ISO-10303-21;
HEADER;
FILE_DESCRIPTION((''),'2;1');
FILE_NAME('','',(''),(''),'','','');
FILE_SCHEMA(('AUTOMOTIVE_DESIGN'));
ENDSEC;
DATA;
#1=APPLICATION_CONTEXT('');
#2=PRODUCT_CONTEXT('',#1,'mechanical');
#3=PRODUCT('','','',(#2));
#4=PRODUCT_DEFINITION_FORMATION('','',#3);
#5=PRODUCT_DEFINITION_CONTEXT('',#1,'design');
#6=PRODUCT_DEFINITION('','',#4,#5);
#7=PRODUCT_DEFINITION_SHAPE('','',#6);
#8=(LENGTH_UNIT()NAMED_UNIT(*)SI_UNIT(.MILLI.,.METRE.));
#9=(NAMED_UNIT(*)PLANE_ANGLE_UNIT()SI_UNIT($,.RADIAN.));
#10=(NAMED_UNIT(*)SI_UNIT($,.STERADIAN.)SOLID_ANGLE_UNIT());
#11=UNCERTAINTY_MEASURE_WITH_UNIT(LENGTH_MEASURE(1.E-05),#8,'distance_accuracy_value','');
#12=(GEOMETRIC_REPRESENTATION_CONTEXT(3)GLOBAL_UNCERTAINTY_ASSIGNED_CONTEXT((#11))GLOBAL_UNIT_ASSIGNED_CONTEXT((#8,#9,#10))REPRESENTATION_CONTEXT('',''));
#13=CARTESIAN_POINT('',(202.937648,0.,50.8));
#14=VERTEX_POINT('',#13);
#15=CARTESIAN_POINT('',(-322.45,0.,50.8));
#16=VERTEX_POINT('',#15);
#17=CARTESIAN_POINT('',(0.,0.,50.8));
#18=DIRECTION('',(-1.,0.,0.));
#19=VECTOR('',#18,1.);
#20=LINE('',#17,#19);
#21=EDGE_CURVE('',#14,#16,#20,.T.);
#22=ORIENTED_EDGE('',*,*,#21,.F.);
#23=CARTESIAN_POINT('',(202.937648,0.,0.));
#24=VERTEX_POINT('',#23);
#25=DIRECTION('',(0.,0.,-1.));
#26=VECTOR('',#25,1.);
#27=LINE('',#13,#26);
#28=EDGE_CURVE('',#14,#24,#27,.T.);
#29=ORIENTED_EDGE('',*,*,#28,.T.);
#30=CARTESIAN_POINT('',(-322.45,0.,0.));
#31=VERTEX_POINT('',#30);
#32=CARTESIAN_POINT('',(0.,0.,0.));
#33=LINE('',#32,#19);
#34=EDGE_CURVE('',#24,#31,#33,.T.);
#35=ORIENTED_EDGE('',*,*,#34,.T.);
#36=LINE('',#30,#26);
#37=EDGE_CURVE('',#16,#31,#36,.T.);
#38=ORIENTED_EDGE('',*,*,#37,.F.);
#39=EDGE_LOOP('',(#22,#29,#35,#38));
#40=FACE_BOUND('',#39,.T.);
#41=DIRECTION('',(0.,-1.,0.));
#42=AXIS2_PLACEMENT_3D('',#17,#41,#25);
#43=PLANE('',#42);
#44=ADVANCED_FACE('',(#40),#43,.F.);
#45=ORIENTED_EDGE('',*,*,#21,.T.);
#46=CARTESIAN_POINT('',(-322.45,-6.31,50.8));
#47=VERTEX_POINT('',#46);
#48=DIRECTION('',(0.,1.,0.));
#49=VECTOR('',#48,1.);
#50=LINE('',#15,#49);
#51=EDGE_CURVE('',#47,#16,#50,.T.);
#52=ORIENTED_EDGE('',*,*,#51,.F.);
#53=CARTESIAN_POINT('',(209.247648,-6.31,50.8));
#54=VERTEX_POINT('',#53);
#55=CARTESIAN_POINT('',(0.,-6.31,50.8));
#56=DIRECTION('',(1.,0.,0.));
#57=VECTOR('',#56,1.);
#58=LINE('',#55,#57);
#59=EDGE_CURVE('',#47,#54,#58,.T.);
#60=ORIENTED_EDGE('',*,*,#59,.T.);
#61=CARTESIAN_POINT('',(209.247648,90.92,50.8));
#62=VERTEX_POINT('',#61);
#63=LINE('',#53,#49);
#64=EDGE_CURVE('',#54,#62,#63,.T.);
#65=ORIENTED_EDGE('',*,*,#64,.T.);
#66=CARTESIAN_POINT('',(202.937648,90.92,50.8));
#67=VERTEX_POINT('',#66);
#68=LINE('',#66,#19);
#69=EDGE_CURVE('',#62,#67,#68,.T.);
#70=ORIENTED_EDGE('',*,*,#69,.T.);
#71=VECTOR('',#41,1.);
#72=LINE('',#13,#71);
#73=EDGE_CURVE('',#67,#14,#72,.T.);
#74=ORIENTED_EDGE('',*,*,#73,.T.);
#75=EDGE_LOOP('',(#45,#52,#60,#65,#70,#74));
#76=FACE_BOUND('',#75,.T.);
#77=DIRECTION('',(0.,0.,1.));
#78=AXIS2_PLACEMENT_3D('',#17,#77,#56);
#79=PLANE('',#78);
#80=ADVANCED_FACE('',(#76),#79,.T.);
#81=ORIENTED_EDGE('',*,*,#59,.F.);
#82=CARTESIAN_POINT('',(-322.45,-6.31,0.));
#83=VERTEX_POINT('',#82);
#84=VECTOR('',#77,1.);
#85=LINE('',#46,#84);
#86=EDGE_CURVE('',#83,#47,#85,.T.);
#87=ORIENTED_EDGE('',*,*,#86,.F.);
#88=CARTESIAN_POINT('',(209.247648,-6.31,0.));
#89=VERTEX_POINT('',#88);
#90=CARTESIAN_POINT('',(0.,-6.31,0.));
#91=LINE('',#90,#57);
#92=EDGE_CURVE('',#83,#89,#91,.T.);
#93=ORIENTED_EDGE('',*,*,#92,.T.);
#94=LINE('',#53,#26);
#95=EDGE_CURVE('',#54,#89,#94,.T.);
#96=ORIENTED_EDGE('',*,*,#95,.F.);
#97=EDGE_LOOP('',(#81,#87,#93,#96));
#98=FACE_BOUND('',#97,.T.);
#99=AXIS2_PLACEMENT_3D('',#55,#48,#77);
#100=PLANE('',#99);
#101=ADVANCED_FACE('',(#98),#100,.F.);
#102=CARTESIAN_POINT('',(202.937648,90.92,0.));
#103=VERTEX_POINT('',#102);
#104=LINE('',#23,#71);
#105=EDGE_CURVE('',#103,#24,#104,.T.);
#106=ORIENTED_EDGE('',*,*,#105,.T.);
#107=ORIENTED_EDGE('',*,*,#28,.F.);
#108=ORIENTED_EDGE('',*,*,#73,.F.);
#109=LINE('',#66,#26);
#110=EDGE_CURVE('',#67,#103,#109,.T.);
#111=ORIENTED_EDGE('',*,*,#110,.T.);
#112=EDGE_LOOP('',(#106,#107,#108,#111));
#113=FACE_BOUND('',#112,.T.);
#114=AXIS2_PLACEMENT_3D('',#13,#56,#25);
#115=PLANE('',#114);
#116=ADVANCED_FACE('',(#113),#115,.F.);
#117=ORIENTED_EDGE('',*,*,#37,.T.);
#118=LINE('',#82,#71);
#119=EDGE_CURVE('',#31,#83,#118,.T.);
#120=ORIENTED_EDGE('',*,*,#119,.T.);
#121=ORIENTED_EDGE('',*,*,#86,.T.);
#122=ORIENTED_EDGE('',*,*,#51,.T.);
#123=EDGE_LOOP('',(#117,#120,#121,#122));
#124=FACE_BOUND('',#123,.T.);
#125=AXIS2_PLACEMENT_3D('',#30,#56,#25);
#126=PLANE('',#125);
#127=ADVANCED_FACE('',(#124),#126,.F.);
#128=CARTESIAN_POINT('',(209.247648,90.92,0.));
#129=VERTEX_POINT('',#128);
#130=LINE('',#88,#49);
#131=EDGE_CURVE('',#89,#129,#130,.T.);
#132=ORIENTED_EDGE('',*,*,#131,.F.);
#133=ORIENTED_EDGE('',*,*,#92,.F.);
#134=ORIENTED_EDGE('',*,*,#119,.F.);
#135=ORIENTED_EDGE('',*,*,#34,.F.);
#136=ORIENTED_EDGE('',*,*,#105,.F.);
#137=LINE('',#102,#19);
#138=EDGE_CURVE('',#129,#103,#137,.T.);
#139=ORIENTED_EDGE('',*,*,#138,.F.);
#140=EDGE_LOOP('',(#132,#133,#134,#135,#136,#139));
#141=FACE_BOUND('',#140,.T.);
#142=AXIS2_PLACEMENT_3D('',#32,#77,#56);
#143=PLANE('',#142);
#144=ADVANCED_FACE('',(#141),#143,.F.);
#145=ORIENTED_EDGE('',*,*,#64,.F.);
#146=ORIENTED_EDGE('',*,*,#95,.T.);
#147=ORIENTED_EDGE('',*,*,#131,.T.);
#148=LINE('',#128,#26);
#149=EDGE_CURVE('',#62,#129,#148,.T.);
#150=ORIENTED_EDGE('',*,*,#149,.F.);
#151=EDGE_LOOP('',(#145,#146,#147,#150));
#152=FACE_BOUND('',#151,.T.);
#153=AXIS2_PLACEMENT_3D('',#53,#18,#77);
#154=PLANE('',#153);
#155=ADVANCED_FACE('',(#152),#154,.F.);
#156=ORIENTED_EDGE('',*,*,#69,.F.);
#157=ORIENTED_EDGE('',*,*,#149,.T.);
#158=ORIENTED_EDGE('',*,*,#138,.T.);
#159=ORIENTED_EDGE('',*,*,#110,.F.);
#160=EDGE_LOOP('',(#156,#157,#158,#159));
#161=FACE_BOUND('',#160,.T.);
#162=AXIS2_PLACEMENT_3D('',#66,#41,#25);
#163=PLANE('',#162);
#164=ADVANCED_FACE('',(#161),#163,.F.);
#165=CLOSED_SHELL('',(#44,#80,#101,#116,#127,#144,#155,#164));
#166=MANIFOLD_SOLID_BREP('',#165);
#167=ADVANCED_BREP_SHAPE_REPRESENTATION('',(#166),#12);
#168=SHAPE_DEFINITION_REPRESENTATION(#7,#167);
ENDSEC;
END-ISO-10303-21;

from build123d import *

# Parameters (mm, degrees)
SALIENTE_EXTRUIR1_DEPTH = 50.8
CROQUIS4_W              = 88.392352489
CROQUIS4_H              = 50.8
CORTAR_EXTRUIR2_DEPTH   = 6.31
CROQUIS5_W              = 50.8
CROQUIS5_H              = 6.31
SALIENTE_EXTRUIR2_DEPTH = 322.45


with BuildPart() as part:
    # Croquis1 → Saliente-Extruir1 (new body)
    with BuildSketch(Plane.XY):
        Polygon((0, 0), (202.937647511, 0), (202.937647511, 90.92), (297.64, 90.92), (297.64, 84.61), (209.247647511, 84.61), (209.247647511, -6.31), (0, -6.31), align=None)
    extrude(amount=SALIENTE_EXTRUIR1_DEPTH)

    # Croquis4 → Cortar-Extruir2 (cut)
    with BuildSketch(Plane.XZ.offset(-84.61)):
        with Locations((253.443823756, 25.4)):
            Rectangle(CROQUIS4_W, CROQUIS4_H)
    extrude(amount=-CORTAR_EXTRUIR2_DEPTH, mode=Mode.SUBTRACT)

    # Croquis5 → Saliente-Extruir2 (add)
    with BuildSketch(Plane.ZY):
        with Locations((25.4, -3.155)):
            Rectangle(CROQUIS5_W, CROQUIS5_H)
    extrude(amount=SALIENTE_EXTRUIR2_DEPTH)


solid = part.part
